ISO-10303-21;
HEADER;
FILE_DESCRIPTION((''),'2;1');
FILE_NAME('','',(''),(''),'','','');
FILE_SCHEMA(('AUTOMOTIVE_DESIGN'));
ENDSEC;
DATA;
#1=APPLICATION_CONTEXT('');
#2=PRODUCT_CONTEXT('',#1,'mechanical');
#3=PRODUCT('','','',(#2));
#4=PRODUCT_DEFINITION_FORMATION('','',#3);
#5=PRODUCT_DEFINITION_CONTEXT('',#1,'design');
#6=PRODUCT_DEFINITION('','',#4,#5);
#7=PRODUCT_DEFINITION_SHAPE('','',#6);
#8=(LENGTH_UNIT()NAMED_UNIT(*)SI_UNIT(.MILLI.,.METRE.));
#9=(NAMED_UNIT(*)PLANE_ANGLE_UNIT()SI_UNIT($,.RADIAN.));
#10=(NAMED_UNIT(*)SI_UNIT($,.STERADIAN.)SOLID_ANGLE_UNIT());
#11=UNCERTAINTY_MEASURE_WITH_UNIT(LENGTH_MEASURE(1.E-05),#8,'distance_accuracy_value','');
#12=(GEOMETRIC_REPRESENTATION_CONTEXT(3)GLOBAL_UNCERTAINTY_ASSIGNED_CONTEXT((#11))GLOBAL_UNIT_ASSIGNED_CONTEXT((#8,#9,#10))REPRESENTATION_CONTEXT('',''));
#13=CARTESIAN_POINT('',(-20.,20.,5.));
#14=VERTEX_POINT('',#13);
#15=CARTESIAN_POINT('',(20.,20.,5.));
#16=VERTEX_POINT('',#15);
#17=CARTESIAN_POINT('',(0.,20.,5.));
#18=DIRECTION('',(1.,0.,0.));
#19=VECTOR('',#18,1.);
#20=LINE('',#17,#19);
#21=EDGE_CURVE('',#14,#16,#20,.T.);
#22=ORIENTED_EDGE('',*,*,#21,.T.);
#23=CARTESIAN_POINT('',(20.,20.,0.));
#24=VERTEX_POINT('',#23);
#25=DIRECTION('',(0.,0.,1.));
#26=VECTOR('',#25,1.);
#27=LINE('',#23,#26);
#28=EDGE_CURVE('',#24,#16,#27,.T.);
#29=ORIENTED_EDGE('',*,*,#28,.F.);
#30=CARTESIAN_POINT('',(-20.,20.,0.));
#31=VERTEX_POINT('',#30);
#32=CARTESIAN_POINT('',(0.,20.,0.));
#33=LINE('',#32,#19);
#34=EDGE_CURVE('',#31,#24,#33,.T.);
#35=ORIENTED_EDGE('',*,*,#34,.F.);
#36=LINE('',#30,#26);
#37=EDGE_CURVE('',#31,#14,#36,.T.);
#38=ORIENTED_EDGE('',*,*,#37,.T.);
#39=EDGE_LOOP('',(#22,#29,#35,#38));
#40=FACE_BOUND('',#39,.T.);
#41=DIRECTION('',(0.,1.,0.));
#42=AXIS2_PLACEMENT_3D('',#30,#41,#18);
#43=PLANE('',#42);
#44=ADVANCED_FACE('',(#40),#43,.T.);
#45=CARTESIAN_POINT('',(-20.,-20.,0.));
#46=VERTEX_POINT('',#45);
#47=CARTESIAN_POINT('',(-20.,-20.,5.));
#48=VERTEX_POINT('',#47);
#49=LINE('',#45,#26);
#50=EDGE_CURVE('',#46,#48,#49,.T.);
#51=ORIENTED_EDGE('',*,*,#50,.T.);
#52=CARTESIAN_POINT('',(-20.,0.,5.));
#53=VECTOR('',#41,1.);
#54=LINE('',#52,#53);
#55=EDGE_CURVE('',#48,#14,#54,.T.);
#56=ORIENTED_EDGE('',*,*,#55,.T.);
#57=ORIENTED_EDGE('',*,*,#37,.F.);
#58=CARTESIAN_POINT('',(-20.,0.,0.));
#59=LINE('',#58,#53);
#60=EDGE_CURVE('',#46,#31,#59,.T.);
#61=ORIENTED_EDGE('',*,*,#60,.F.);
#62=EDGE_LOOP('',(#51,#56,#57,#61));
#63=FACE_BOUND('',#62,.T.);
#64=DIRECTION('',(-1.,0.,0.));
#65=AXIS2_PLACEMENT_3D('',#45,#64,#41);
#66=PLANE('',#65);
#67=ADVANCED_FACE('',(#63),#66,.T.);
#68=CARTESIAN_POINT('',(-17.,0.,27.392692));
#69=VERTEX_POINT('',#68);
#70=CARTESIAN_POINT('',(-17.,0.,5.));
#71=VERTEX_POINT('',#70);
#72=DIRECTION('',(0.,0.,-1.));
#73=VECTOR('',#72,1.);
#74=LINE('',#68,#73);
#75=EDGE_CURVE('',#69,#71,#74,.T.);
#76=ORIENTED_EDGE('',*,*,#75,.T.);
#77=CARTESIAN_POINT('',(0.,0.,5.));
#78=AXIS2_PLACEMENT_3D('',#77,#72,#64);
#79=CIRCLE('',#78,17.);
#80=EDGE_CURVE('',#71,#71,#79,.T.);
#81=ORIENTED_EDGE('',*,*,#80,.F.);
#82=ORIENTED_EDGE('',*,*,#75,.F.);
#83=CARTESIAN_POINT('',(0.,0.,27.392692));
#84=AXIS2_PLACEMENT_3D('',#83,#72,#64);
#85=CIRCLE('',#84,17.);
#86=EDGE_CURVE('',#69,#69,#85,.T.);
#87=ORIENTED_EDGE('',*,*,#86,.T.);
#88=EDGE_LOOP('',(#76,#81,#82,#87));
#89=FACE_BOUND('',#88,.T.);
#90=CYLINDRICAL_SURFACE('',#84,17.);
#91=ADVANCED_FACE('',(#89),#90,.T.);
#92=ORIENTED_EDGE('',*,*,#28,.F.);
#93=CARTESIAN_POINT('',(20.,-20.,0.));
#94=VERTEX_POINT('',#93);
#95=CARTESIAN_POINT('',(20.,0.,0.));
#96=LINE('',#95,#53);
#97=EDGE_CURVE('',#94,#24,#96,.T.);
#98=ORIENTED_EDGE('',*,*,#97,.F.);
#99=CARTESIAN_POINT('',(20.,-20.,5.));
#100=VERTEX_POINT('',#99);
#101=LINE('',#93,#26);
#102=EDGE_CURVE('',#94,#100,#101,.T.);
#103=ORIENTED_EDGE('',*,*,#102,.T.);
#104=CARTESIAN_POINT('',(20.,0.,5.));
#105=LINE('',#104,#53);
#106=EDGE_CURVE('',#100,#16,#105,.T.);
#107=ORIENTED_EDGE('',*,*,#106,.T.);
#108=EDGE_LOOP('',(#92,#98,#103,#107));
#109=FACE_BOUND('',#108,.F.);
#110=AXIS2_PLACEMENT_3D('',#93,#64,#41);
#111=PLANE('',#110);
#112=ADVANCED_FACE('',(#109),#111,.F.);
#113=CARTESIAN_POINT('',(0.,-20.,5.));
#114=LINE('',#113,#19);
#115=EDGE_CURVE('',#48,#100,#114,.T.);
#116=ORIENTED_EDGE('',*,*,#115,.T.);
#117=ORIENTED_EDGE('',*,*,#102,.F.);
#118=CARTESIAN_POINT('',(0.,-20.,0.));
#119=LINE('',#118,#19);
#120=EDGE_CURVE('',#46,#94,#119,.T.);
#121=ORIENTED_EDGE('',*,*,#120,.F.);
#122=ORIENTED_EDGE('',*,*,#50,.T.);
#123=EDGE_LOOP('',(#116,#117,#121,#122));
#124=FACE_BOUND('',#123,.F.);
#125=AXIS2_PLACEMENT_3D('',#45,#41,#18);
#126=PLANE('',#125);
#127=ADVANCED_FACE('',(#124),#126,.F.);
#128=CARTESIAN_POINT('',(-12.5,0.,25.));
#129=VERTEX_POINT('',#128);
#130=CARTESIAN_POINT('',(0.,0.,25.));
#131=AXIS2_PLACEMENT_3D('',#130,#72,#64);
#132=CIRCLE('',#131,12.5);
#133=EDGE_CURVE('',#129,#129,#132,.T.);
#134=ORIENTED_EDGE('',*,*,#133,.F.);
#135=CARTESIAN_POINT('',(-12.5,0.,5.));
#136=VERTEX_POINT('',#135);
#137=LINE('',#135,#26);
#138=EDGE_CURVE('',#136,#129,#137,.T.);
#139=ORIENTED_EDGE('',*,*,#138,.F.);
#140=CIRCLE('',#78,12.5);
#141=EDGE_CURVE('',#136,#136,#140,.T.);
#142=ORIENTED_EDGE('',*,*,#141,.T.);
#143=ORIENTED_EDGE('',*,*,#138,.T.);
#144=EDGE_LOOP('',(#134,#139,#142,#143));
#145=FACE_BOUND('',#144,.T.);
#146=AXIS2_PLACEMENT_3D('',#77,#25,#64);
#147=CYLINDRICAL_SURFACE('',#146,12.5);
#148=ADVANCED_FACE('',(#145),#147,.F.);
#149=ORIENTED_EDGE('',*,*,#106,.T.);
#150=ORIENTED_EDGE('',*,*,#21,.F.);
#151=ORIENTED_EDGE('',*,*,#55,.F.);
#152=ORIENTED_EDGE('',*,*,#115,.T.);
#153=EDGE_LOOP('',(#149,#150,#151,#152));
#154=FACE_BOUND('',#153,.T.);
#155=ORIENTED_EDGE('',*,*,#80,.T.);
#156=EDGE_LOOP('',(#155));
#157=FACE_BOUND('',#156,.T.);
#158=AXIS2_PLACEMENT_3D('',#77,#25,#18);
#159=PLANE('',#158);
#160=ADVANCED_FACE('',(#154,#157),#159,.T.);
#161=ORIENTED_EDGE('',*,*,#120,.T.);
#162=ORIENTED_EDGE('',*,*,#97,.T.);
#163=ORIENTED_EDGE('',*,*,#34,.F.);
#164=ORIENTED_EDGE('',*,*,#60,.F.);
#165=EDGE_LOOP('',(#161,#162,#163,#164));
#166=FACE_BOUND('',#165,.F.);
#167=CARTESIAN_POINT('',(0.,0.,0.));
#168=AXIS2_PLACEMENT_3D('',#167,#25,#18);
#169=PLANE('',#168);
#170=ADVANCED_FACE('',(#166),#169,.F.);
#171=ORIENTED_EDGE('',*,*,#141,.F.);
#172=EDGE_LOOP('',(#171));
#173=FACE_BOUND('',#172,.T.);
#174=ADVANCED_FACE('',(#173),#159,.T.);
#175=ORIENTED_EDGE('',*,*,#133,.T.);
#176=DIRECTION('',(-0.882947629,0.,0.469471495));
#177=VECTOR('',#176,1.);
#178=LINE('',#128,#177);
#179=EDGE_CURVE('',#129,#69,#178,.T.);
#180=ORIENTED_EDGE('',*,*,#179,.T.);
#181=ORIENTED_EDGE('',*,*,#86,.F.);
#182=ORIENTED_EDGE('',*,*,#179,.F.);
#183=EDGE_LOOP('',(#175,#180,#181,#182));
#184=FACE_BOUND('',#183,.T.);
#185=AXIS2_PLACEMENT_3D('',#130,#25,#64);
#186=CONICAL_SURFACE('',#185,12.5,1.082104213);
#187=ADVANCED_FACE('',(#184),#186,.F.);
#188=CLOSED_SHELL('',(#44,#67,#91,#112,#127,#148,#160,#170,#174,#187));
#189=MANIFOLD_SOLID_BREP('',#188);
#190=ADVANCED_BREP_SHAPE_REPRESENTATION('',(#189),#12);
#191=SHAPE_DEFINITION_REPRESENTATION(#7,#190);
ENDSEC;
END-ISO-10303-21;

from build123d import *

# Parameters (mm, degrees)
F0_W     = 40
F0_H     = 40
F1_DEPTH = 5


with BuildPart() as f1:
    # F0 (on Top) → F1 (new body)
    with BuildSketch(Plane.XY):
        Rectangle(F0_W, F0_H)
    extrude(amount=F1_DEPTH)

    # F2 (on Front) → F3 (revolve)
    with BuildSketch(Plane.XZ):
        Polygon((-17, 27.392692), (-17, 5), (-12.5, 5), (-12.5, 25), align=None)
    revolve(axis=Axis((0, 0, 17.722977), (0, 0, -1)))


solid = f1.part
